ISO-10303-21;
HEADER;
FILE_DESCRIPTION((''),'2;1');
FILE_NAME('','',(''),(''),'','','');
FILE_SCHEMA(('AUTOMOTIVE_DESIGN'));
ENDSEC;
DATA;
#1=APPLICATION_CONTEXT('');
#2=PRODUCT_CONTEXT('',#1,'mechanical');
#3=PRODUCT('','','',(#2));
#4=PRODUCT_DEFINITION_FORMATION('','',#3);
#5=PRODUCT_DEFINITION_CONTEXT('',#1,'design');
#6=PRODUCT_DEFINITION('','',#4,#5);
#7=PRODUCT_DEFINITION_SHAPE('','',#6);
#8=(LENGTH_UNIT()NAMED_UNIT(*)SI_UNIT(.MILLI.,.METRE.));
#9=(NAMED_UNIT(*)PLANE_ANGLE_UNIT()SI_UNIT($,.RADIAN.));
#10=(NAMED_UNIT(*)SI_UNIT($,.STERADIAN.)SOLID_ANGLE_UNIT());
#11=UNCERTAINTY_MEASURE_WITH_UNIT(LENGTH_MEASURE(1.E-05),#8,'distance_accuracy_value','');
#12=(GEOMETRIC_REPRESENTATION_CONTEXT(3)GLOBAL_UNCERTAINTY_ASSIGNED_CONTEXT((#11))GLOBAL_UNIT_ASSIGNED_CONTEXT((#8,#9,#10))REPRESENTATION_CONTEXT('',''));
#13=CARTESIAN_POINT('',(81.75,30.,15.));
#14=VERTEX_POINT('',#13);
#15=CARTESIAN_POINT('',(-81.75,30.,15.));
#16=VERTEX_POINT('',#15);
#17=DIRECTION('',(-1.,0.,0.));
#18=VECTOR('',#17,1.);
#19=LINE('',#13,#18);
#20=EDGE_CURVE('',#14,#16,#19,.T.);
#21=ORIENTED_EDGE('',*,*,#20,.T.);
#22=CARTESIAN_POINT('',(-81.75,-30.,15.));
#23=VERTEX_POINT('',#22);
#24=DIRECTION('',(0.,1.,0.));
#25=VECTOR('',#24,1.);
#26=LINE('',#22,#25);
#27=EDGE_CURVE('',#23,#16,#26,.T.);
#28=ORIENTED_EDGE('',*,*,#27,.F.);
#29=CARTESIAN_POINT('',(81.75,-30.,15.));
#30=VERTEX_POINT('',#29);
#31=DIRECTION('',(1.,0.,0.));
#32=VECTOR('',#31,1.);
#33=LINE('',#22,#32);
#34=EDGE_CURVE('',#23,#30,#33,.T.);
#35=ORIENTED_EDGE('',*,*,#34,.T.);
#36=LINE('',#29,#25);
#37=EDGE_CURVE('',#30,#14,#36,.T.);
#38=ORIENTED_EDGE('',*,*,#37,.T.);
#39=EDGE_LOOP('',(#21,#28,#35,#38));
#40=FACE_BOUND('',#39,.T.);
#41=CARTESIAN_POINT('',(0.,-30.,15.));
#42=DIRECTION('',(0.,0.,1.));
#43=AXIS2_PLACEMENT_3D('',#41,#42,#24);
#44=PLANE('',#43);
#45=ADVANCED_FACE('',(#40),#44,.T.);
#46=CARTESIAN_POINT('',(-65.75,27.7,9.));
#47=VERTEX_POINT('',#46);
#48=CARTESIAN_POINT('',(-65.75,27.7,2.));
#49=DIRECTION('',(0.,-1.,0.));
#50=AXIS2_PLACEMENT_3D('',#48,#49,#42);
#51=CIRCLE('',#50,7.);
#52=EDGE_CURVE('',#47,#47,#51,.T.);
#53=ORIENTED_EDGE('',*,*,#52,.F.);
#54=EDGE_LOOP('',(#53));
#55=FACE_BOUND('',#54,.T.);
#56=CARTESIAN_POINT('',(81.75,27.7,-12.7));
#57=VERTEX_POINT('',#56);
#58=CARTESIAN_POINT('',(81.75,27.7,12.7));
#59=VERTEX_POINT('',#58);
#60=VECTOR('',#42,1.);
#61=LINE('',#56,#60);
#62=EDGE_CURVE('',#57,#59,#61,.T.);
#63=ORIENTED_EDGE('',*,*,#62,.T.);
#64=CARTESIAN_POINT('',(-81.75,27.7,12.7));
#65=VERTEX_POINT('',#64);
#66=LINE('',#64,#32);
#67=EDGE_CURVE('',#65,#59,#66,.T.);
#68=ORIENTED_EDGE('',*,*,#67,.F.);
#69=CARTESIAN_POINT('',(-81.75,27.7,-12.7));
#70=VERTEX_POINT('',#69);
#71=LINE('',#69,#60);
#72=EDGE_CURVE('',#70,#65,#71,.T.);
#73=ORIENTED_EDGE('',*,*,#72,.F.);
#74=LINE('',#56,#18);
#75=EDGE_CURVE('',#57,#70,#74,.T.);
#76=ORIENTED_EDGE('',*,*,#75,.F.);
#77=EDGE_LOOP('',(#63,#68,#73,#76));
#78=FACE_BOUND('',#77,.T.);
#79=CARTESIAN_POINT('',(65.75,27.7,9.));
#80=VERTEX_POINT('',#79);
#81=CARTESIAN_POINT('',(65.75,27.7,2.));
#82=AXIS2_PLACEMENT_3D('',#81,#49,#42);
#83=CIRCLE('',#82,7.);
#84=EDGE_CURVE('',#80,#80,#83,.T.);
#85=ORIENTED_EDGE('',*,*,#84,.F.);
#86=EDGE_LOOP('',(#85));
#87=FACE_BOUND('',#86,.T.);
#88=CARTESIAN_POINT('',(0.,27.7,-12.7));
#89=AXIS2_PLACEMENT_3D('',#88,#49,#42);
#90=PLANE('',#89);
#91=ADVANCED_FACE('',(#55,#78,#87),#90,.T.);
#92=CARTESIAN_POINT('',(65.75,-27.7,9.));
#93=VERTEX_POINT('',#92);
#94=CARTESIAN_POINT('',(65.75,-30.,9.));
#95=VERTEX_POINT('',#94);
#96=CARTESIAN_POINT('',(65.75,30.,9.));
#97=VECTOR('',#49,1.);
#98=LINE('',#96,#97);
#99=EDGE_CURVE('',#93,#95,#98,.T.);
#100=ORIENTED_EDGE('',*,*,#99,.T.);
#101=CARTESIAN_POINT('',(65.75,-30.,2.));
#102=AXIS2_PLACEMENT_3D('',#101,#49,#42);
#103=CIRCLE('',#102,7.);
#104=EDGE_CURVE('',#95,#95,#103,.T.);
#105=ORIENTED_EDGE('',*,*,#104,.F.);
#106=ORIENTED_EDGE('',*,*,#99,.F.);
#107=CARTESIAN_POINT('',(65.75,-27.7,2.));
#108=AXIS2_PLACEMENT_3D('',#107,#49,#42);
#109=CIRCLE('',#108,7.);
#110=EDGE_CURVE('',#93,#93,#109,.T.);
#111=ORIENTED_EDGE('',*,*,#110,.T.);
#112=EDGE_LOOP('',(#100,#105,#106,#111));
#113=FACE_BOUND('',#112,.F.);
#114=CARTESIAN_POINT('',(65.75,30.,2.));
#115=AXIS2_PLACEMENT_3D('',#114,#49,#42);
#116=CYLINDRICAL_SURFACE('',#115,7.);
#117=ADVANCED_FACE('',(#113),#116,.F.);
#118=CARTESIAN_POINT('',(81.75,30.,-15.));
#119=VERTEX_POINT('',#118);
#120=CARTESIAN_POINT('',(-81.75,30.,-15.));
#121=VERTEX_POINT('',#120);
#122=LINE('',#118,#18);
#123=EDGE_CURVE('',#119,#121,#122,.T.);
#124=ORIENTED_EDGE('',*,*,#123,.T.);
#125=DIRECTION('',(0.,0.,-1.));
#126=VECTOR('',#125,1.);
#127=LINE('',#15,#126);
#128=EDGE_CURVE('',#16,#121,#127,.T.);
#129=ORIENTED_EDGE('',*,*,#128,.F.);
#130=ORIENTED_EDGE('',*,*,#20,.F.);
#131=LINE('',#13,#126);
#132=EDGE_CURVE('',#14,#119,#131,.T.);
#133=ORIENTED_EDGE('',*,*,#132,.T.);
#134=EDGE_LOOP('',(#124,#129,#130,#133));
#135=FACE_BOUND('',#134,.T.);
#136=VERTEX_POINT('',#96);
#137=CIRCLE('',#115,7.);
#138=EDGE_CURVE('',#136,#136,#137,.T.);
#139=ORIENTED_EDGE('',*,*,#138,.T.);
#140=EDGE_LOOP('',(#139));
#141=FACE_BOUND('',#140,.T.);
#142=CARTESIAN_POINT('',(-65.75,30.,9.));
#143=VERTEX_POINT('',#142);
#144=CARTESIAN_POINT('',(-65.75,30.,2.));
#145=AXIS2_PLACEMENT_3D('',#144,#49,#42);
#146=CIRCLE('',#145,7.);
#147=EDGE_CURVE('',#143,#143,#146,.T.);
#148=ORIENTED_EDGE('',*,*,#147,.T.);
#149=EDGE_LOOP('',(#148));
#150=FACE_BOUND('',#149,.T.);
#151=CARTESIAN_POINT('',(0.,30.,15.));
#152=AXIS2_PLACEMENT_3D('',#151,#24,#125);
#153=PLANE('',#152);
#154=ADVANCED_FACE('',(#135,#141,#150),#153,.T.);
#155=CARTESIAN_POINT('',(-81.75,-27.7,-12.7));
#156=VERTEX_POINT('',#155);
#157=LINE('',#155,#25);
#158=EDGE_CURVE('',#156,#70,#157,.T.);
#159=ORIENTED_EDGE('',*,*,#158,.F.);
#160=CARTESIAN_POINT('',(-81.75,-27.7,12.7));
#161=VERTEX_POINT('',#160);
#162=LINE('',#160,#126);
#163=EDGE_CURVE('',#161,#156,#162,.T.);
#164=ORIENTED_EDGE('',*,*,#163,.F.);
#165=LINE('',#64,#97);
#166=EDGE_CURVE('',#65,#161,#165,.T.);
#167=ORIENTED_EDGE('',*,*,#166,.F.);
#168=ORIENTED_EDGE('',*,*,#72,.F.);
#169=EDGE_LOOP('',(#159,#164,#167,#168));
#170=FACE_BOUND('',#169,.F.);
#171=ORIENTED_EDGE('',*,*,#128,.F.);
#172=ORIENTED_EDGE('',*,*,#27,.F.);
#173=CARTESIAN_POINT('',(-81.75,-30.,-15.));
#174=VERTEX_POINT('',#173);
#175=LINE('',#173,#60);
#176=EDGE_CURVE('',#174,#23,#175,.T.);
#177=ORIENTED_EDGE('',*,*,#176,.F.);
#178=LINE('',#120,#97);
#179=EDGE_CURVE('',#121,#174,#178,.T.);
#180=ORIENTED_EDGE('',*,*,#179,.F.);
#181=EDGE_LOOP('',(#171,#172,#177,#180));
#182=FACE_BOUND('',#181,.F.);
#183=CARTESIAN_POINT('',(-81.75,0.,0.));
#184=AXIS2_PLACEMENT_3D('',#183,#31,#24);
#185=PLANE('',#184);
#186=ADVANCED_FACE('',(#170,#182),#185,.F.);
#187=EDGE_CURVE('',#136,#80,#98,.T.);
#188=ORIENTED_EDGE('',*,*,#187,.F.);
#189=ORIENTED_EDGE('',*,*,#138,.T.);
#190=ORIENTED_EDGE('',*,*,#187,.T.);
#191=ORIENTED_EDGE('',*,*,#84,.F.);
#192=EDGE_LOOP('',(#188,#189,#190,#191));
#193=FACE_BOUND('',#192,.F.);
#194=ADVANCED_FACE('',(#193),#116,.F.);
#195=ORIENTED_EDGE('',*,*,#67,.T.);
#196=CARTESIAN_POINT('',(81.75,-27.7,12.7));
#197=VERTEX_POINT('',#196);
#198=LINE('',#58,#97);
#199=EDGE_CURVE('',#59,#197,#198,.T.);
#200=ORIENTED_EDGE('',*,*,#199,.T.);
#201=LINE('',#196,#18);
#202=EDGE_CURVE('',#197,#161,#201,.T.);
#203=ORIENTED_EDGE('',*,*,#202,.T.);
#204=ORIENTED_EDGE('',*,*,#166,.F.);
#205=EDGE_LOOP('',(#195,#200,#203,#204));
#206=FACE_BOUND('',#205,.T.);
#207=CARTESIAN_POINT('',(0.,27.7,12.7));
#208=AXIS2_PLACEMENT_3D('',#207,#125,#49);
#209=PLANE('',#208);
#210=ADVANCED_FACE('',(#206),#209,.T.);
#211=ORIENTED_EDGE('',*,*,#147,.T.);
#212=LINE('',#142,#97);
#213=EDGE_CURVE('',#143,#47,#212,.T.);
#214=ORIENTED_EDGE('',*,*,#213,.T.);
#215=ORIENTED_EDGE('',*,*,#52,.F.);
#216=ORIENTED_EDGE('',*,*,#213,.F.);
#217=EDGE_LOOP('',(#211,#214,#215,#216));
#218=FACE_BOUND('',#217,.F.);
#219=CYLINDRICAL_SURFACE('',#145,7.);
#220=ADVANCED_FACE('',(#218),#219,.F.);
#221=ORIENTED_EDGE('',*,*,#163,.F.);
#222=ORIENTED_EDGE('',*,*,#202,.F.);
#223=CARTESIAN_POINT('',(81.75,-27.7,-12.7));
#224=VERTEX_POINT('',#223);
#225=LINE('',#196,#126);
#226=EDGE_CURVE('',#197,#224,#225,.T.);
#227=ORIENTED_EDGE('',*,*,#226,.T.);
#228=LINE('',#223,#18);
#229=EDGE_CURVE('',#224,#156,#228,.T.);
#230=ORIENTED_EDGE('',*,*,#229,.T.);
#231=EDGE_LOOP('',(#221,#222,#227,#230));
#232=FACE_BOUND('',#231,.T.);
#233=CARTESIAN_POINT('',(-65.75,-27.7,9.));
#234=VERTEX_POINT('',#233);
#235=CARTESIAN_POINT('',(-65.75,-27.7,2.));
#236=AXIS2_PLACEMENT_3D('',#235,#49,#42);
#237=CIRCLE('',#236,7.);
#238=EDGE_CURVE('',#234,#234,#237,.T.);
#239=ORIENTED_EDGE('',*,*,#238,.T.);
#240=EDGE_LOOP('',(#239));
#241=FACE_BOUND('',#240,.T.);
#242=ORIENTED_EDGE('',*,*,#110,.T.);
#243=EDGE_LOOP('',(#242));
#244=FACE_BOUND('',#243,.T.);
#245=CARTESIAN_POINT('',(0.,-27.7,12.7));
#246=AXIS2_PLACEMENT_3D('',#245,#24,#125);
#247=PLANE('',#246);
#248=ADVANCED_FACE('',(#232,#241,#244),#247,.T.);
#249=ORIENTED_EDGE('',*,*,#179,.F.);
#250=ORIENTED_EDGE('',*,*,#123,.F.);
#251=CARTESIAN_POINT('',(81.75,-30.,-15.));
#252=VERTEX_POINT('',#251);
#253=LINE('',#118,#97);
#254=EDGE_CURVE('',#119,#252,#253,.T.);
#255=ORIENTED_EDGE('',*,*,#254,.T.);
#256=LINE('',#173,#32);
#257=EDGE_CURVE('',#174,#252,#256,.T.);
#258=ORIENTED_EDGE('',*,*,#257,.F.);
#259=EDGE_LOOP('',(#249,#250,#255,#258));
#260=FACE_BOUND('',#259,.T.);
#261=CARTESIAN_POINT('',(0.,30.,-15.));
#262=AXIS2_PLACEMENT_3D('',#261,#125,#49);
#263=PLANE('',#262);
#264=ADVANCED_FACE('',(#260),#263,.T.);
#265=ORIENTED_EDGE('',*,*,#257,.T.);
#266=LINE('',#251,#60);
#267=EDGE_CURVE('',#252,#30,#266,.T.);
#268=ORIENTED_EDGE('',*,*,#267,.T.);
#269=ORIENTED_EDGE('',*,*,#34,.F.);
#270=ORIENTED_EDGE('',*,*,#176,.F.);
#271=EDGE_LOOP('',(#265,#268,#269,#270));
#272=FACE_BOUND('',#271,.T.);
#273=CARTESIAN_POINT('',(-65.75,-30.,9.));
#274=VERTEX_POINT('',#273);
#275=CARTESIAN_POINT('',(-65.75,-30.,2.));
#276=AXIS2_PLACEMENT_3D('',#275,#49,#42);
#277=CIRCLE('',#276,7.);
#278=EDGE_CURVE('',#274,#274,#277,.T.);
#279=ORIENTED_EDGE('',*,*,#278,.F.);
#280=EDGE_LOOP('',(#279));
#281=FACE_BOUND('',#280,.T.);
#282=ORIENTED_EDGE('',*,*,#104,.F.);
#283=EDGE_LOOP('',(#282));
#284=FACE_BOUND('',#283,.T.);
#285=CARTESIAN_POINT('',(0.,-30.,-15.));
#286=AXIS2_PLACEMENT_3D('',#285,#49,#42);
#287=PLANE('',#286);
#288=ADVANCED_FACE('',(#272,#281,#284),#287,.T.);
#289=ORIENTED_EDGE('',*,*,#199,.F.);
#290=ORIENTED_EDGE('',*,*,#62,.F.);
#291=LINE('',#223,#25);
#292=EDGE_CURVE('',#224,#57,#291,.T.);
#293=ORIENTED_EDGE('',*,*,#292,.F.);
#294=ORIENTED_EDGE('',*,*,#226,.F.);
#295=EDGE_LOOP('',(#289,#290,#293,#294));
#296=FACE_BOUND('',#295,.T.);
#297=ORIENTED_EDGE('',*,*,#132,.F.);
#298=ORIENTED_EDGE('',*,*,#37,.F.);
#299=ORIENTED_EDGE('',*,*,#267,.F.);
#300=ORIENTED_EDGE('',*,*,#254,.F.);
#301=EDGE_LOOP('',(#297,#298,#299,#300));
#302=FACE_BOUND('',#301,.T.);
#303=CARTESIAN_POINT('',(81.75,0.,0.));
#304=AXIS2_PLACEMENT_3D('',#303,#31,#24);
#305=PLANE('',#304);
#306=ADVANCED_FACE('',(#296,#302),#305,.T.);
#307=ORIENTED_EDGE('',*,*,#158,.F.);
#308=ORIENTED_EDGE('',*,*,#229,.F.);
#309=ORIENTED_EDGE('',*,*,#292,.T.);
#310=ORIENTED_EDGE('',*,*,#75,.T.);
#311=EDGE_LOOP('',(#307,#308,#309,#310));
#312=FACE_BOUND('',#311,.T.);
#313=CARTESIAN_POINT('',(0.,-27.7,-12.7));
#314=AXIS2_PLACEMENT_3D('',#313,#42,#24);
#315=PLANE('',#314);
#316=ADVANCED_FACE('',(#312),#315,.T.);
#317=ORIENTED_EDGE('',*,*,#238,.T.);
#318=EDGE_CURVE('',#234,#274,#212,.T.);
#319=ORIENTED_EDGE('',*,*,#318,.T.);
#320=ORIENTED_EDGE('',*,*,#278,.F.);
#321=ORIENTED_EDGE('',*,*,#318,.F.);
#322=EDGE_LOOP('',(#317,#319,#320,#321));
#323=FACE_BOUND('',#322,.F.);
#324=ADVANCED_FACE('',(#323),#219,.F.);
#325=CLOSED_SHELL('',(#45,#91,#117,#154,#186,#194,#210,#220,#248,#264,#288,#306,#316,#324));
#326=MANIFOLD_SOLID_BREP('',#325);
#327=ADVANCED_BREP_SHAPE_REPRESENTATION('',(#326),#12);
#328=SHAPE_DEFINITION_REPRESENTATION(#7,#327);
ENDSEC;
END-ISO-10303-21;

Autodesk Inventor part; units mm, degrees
ref_plane "YZ Plane" through (0, 0, 0) normal (1, 0, 0) x (0, 1, 0)
ref_plane "XZ Plane" through (0, 0, 0) normal (0, 1, 0) x (-1, 0, 0)
ref_plane "XY Plane" through (0, 0, 0) normal (0, 0, 1) x (1, 0, 0)
sketch "スケッチ1" plane through (0, 0, 0) normal (1, 0, 0) x (0, 1, 0)
  line L0 (-30, 15) -> (30, 15)
  line L1 (30, 15) -> (30, -15)
  line L2 (30, -15) -> (-30, -15)
  line L3 (-30, -15) -> (-30, 15)
  line L4 (-30, 15) -> (30, -15) construction
  line L5 (30, 15) -> (-30, -15) construction
  line L6 (27.7, 12.7) -> (-27.7, 12.7)
  line L7 (-27.7, 12.7) -> (-27.7, -12.7)
  line L8 (-27.7, -12.7) -> (27.7, -12.7)
  line L9 (27.7, -12.7) -> (27.7, 12.7)
  point P0 (0, 0)
  dimension "d0" = 60
  dimension "d1" = 30
  dimension "d2" = 2.3
extrude "押し出し1" add sketch "スケッチ1" along normal mid plane 163.5
sketch "スケッチ2" plane through (-81.75, 30, 15) normal (0, 1, 0) x (1, 0, 0)
  line L0 (163.5, 30) -> (0, 30) projected
  line L1 (163.5, 30) -> (163.5, 0) projected
  line L2 (0, 0) -> (0, 30) projected
  point P0 (16, 13)
  point P1 (147.5, 13)
  dimension "d14" = 17
  dimension "d15" = 17
  dimension "d16" = 16
  dimension "d17" = 16
hole "穴1" at (-65.75, 30, 2) at (65.75, 30, 2) direction (0, -1, 0) diameter 14 end through all
properties part number "車軸受け3"
